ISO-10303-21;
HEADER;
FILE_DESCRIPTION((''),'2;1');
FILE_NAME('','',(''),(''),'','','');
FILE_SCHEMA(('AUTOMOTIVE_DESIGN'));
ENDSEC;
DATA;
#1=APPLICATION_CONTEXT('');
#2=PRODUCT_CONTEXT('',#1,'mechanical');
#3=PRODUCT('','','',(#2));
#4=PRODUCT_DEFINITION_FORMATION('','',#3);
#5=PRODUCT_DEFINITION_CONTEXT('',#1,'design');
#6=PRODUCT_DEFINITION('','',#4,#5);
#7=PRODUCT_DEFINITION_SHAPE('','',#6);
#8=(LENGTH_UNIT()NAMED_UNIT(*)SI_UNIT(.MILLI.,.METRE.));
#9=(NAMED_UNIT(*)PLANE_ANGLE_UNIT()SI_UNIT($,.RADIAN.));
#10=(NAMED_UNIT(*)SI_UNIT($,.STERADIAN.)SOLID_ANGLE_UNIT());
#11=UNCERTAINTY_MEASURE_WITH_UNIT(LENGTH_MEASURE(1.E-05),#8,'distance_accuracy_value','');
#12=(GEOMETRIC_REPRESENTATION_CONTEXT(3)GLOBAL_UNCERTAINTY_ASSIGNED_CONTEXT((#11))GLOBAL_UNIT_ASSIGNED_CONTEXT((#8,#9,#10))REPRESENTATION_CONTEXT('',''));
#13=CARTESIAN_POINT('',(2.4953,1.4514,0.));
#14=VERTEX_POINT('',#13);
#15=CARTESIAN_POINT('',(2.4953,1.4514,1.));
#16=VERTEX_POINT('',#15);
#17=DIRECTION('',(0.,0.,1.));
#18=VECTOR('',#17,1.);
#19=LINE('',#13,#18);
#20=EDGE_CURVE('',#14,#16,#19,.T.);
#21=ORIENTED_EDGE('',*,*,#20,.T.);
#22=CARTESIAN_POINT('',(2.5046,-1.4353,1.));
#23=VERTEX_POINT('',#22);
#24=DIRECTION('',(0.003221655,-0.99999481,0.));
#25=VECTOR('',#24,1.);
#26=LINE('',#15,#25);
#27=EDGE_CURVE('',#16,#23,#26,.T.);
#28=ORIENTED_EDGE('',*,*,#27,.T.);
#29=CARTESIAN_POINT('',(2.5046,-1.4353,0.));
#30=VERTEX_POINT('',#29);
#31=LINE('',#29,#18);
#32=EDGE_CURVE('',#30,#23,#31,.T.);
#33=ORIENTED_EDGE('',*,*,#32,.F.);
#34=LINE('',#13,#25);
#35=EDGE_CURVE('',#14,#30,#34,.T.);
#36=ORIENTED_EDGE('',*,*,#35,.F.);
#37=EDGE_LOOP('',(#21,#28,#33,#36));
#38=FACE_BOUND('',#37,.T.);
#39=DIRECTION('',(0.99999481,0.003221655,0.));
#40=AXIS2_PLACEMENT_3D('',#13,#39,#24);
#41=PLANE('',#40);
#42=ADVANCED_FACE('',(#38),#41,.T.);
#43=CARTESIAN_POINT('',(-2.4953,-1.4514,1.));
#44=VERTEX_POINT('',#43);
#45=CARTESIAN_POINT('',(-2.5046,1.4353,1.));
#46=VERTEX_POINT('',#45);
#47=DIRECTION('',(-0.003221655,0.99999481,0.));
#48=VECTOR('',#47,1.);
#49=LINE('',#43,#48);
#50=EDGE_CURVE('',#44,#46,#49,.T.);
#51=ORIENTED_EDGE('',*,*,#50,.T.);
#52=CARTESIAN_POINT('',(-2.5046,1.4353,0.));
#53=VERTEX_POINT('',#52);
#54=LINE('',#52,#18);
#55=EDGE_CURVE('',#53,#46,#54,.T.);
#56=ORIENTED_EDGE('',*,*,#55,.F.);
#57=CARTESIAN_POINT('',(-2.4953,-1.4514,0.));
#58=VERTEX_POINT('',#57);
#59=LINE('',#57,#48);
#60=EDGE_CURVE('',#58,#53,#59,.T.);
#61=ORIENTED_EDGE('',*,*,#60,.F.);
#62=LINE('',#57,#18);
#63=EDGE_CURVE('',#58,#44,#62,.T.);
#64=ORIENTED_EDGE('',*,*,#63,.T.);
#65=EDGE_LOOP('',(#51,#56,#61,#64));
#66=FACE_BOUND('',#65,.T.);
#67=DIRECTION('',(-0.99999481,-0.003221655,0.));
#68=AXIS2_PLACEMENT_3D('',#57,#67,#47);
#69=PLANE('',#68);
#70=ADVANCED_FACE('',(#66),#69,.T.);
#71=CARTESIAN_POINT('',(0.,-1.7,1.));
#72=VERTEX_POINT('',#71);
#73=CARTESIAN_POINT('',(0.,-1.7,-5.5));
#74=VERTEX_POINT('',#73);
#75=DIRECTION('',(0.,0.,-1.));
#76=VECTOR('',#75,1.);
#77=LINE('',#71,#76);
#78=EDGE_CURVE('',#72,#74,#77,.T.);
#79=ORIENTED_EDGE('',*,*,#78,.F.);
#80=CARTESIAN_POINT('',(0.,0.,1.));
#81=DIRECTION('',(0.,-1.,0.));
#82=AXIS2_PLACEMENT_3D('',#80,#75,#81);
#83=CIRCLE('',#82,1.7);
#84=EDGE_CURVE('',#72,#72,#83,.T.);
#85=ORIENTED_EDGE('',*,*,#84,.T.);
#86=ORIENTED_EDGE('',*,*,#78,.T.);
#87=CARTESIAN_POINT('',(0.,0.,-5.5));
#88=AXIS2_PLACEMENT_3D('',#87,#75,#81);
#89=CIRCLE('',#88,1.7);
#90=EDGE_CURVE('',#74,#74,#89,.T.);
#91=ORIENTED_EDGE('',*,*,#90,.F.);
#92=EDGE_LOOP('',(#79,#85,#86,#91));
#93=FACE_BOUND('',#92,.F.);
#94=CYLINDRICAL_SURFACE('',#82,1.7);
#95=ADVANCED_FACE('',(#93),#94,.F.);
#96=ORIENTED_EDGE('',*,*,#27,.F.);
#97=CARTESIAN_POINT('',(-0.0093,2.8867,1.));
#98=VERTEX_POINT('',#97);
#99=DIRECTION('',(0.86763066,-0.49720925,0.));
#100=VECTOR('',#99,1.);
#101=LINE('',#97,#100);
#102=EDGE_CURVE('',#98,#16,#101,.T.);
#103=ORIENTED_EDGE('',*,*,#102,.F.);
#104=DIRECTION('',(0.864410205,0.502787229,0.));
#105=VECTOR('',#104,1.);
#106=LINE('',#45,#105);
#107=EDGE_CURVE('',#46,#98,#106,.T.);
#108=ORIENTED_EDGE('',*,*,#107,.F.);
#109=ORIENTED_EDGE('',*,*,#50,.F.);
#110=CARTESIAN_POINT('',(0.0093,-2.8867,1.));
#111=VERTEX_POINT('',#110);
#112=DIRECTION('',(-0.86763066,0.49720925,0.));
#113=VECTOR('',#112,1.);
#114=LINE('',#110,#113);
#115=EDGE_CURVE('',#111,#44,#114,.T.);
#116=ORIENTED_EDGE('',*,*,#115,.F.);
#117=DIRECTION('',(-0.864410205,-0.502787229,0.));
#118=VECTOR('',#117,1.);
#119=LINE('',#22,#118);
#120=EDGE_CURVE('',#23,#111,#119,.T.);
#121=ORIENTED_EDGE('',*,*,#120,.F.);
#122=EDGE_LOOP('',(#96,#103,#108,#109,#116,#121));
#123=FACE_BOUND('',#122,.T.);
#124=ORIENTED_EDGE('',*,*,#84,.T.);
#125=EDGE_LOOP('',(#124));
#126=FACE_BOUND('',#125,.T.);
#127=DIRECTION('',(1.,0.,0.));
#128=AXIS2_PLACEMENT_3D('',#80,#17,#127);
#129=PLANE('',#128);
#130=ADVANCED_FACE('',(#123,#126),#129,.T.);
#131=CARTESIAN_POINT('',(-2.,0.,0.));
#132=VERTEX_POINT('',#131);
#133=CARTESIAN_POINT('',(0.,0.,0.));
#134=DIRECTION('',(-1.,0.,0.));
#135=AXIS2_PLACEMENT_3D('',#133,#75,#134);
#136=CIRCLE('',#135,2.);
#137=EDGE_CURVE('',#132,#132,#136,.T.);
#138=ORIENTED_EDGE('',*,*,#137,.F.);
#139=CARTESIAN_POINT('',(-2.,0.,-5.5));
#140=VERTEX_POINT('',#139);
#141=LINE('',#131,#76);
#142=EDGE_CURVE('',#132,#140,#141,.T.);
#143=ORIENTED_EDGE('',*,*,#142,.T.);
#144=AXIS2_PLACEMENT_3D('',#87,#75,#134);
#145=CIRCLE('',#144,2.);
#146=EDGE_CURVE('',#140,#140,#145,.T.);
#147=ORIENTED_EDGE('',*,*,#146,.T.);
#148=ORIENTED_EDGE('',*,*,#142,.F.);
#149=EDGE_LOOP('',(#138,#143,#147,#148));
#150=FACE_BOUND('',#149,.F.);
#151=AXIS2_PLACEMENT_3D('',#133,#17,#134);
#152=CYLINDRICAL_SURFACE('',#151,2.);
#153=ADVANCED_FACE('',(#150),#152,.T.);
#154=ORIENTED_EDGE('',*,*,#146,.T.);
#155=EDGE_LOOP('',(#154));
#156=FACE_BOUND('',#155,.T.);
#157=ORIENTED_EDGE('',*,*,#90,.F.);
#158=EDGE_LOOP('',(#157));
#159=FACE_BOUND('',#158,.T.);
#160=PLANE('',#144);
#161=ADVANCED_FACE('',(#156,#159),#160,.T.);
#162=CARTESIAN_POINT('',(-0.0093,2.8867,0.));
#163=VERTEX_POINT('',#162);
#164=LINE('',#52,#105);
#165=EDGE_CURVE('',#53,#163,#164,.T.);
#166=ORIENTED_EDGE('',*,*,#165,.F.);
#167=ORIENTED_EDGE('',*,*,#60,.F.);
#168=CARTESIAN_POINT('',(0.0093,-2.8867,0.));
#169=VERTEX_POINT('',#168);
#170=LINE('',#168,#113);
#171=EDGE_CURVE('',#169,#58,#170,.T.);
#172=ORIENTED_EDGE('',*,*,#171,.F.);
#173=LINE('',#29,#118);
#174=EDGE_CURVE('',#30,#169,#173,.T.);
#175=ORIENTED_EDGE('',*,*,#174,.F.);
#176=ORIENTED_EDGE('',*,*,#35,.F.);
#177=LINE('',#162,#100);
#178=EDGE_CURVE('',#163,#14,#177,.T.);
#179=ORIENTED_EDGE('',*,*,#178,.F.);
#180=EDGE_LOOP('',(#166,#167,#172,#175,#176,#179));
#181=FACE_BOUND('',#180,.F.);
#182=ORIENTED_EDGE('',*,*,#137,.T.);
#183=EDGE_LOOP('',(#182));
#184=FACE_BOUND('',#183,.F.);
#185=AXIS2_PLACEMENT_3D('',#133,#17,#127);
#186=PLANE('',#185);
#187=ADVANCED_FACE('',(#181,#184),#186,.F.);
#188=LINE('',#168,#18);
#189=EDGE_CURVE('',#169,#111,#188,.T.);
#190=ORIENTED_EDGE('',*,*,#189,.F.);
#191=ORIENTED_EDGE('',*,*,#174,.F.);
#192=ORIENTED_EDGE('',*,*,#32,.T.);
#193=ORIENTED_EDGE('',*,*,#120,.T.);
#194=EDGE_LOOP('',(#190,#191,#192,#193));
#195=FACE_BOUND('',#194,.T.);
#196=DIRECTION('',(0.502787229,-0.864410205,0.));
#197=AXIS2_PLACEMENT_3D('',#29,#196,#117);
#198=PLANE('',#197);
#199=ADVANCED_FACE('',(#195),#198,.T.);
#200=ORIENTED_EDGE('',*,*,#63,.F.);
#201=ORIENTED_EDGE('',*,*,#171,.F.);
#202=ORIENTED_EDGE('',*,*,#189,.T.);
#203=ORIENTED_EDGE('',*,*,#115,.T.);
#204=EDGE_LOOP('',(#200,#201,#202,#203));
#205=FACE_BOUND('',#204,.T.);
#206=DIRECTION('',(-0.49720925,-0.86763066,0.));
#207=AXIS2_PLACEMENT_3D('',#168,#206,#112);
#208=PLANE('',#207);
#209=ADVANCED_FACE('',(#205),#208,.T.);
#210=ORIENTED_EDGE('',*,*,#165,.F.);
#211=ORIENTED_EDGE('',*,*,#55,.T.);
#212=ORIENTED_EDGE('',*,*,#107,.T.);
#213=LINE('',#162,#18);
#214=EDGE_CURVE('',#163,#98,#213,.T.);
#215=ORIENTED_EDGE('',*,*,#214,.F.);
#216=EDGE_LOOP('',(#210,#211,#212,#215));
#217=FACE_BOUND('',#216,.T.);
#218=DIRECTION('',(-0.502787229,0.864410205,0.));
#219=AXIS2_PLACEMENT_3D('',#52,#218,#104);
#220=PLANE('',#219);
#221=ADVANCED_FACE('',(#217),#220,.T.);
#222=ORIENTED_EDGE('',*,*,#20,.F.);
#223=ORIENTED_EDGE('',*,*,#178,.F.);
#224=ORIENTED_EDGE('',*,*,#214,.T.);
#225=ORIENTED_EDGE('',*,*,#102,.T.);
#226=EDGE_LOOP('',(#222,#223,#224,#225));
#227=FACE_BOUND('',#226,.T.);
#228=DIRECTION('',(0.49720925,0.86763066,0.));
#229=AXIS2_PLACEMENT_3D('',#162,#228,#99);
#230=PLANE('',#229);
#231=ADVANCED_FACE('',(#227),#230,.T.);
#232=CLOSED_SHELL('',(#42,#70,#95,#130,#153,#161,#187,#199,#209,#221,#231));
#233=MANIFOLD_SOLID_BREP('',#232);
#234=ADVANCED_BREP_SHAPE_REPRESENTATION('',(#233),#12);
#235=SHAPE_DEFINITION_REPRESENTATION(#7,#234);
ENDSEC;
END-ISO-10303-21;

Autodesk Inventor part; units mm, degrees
ref_plane "YZ Plane" through (0, 0, 0) normal (1, 0, 0) x (0, 1, 0)
ref_plane "XZ Plane" through (0, 0, 0) normal (0, 1, 0) x (-1, 0, 0)
ref_plane "XY Plane" through (0, 0, 0) normal (0, 0, 1) x (1, 0, 0)
sketch "Skizze4" plane through (0, 0, 0) normal (0, 0, 1) x (1, 0, 0)
  line L0 (2.5046, -1.4353) -> (0.0093, -2.8867)
  line L1 (0.0093, -2.8867) -> (-2.4953, -1.4514)
  line L2 (-2.4953, -1.4514) -> (-2.5046, 1.4353)
  line L3 (-2.5046, 1.4353) -> (-0.0093, 2.8867)
  line L4 (-0.0093, 2.8867) -> (2.4953, 1.4514)
  line L5 (2.4953, 1.4514) -> (2.5046, -1.4353)
  point P0 (0, 0)
  point P1 (0, 0)
  dimension "d21" = 5
extrude "Extrusion1" add sketch "Skizze4" along normal blind 1
sketch "Skizze5" plane through (0, 0, 0) normal (0, 0, -1) x (-1, 0, 0)
  circle A0 centre (0, 0) radius 2
  dimension "d7" = 4
extrude "Extrusion2" add sketch "Skizze5" along normal blind 5.5
sketch "Skizze6" plane through (0, 0, 1) normal (0, 0, 1) x (1, 0, 0)
  point P0 (0, 0)
hole "Bohrung1" at (0, 0, 1) direction (0, 0, -1) diameter 3.4 depth 10.65 tip angle 118 clearance for "Flachkopfmaschinenschraube" size "M3" standard "ANSI Metrisches M Profil"
thread "Gewinde2" size "M3x0.5" class "6H" standard "ANSI Metric M Profile" full length
properties part number "huelse_M3"
